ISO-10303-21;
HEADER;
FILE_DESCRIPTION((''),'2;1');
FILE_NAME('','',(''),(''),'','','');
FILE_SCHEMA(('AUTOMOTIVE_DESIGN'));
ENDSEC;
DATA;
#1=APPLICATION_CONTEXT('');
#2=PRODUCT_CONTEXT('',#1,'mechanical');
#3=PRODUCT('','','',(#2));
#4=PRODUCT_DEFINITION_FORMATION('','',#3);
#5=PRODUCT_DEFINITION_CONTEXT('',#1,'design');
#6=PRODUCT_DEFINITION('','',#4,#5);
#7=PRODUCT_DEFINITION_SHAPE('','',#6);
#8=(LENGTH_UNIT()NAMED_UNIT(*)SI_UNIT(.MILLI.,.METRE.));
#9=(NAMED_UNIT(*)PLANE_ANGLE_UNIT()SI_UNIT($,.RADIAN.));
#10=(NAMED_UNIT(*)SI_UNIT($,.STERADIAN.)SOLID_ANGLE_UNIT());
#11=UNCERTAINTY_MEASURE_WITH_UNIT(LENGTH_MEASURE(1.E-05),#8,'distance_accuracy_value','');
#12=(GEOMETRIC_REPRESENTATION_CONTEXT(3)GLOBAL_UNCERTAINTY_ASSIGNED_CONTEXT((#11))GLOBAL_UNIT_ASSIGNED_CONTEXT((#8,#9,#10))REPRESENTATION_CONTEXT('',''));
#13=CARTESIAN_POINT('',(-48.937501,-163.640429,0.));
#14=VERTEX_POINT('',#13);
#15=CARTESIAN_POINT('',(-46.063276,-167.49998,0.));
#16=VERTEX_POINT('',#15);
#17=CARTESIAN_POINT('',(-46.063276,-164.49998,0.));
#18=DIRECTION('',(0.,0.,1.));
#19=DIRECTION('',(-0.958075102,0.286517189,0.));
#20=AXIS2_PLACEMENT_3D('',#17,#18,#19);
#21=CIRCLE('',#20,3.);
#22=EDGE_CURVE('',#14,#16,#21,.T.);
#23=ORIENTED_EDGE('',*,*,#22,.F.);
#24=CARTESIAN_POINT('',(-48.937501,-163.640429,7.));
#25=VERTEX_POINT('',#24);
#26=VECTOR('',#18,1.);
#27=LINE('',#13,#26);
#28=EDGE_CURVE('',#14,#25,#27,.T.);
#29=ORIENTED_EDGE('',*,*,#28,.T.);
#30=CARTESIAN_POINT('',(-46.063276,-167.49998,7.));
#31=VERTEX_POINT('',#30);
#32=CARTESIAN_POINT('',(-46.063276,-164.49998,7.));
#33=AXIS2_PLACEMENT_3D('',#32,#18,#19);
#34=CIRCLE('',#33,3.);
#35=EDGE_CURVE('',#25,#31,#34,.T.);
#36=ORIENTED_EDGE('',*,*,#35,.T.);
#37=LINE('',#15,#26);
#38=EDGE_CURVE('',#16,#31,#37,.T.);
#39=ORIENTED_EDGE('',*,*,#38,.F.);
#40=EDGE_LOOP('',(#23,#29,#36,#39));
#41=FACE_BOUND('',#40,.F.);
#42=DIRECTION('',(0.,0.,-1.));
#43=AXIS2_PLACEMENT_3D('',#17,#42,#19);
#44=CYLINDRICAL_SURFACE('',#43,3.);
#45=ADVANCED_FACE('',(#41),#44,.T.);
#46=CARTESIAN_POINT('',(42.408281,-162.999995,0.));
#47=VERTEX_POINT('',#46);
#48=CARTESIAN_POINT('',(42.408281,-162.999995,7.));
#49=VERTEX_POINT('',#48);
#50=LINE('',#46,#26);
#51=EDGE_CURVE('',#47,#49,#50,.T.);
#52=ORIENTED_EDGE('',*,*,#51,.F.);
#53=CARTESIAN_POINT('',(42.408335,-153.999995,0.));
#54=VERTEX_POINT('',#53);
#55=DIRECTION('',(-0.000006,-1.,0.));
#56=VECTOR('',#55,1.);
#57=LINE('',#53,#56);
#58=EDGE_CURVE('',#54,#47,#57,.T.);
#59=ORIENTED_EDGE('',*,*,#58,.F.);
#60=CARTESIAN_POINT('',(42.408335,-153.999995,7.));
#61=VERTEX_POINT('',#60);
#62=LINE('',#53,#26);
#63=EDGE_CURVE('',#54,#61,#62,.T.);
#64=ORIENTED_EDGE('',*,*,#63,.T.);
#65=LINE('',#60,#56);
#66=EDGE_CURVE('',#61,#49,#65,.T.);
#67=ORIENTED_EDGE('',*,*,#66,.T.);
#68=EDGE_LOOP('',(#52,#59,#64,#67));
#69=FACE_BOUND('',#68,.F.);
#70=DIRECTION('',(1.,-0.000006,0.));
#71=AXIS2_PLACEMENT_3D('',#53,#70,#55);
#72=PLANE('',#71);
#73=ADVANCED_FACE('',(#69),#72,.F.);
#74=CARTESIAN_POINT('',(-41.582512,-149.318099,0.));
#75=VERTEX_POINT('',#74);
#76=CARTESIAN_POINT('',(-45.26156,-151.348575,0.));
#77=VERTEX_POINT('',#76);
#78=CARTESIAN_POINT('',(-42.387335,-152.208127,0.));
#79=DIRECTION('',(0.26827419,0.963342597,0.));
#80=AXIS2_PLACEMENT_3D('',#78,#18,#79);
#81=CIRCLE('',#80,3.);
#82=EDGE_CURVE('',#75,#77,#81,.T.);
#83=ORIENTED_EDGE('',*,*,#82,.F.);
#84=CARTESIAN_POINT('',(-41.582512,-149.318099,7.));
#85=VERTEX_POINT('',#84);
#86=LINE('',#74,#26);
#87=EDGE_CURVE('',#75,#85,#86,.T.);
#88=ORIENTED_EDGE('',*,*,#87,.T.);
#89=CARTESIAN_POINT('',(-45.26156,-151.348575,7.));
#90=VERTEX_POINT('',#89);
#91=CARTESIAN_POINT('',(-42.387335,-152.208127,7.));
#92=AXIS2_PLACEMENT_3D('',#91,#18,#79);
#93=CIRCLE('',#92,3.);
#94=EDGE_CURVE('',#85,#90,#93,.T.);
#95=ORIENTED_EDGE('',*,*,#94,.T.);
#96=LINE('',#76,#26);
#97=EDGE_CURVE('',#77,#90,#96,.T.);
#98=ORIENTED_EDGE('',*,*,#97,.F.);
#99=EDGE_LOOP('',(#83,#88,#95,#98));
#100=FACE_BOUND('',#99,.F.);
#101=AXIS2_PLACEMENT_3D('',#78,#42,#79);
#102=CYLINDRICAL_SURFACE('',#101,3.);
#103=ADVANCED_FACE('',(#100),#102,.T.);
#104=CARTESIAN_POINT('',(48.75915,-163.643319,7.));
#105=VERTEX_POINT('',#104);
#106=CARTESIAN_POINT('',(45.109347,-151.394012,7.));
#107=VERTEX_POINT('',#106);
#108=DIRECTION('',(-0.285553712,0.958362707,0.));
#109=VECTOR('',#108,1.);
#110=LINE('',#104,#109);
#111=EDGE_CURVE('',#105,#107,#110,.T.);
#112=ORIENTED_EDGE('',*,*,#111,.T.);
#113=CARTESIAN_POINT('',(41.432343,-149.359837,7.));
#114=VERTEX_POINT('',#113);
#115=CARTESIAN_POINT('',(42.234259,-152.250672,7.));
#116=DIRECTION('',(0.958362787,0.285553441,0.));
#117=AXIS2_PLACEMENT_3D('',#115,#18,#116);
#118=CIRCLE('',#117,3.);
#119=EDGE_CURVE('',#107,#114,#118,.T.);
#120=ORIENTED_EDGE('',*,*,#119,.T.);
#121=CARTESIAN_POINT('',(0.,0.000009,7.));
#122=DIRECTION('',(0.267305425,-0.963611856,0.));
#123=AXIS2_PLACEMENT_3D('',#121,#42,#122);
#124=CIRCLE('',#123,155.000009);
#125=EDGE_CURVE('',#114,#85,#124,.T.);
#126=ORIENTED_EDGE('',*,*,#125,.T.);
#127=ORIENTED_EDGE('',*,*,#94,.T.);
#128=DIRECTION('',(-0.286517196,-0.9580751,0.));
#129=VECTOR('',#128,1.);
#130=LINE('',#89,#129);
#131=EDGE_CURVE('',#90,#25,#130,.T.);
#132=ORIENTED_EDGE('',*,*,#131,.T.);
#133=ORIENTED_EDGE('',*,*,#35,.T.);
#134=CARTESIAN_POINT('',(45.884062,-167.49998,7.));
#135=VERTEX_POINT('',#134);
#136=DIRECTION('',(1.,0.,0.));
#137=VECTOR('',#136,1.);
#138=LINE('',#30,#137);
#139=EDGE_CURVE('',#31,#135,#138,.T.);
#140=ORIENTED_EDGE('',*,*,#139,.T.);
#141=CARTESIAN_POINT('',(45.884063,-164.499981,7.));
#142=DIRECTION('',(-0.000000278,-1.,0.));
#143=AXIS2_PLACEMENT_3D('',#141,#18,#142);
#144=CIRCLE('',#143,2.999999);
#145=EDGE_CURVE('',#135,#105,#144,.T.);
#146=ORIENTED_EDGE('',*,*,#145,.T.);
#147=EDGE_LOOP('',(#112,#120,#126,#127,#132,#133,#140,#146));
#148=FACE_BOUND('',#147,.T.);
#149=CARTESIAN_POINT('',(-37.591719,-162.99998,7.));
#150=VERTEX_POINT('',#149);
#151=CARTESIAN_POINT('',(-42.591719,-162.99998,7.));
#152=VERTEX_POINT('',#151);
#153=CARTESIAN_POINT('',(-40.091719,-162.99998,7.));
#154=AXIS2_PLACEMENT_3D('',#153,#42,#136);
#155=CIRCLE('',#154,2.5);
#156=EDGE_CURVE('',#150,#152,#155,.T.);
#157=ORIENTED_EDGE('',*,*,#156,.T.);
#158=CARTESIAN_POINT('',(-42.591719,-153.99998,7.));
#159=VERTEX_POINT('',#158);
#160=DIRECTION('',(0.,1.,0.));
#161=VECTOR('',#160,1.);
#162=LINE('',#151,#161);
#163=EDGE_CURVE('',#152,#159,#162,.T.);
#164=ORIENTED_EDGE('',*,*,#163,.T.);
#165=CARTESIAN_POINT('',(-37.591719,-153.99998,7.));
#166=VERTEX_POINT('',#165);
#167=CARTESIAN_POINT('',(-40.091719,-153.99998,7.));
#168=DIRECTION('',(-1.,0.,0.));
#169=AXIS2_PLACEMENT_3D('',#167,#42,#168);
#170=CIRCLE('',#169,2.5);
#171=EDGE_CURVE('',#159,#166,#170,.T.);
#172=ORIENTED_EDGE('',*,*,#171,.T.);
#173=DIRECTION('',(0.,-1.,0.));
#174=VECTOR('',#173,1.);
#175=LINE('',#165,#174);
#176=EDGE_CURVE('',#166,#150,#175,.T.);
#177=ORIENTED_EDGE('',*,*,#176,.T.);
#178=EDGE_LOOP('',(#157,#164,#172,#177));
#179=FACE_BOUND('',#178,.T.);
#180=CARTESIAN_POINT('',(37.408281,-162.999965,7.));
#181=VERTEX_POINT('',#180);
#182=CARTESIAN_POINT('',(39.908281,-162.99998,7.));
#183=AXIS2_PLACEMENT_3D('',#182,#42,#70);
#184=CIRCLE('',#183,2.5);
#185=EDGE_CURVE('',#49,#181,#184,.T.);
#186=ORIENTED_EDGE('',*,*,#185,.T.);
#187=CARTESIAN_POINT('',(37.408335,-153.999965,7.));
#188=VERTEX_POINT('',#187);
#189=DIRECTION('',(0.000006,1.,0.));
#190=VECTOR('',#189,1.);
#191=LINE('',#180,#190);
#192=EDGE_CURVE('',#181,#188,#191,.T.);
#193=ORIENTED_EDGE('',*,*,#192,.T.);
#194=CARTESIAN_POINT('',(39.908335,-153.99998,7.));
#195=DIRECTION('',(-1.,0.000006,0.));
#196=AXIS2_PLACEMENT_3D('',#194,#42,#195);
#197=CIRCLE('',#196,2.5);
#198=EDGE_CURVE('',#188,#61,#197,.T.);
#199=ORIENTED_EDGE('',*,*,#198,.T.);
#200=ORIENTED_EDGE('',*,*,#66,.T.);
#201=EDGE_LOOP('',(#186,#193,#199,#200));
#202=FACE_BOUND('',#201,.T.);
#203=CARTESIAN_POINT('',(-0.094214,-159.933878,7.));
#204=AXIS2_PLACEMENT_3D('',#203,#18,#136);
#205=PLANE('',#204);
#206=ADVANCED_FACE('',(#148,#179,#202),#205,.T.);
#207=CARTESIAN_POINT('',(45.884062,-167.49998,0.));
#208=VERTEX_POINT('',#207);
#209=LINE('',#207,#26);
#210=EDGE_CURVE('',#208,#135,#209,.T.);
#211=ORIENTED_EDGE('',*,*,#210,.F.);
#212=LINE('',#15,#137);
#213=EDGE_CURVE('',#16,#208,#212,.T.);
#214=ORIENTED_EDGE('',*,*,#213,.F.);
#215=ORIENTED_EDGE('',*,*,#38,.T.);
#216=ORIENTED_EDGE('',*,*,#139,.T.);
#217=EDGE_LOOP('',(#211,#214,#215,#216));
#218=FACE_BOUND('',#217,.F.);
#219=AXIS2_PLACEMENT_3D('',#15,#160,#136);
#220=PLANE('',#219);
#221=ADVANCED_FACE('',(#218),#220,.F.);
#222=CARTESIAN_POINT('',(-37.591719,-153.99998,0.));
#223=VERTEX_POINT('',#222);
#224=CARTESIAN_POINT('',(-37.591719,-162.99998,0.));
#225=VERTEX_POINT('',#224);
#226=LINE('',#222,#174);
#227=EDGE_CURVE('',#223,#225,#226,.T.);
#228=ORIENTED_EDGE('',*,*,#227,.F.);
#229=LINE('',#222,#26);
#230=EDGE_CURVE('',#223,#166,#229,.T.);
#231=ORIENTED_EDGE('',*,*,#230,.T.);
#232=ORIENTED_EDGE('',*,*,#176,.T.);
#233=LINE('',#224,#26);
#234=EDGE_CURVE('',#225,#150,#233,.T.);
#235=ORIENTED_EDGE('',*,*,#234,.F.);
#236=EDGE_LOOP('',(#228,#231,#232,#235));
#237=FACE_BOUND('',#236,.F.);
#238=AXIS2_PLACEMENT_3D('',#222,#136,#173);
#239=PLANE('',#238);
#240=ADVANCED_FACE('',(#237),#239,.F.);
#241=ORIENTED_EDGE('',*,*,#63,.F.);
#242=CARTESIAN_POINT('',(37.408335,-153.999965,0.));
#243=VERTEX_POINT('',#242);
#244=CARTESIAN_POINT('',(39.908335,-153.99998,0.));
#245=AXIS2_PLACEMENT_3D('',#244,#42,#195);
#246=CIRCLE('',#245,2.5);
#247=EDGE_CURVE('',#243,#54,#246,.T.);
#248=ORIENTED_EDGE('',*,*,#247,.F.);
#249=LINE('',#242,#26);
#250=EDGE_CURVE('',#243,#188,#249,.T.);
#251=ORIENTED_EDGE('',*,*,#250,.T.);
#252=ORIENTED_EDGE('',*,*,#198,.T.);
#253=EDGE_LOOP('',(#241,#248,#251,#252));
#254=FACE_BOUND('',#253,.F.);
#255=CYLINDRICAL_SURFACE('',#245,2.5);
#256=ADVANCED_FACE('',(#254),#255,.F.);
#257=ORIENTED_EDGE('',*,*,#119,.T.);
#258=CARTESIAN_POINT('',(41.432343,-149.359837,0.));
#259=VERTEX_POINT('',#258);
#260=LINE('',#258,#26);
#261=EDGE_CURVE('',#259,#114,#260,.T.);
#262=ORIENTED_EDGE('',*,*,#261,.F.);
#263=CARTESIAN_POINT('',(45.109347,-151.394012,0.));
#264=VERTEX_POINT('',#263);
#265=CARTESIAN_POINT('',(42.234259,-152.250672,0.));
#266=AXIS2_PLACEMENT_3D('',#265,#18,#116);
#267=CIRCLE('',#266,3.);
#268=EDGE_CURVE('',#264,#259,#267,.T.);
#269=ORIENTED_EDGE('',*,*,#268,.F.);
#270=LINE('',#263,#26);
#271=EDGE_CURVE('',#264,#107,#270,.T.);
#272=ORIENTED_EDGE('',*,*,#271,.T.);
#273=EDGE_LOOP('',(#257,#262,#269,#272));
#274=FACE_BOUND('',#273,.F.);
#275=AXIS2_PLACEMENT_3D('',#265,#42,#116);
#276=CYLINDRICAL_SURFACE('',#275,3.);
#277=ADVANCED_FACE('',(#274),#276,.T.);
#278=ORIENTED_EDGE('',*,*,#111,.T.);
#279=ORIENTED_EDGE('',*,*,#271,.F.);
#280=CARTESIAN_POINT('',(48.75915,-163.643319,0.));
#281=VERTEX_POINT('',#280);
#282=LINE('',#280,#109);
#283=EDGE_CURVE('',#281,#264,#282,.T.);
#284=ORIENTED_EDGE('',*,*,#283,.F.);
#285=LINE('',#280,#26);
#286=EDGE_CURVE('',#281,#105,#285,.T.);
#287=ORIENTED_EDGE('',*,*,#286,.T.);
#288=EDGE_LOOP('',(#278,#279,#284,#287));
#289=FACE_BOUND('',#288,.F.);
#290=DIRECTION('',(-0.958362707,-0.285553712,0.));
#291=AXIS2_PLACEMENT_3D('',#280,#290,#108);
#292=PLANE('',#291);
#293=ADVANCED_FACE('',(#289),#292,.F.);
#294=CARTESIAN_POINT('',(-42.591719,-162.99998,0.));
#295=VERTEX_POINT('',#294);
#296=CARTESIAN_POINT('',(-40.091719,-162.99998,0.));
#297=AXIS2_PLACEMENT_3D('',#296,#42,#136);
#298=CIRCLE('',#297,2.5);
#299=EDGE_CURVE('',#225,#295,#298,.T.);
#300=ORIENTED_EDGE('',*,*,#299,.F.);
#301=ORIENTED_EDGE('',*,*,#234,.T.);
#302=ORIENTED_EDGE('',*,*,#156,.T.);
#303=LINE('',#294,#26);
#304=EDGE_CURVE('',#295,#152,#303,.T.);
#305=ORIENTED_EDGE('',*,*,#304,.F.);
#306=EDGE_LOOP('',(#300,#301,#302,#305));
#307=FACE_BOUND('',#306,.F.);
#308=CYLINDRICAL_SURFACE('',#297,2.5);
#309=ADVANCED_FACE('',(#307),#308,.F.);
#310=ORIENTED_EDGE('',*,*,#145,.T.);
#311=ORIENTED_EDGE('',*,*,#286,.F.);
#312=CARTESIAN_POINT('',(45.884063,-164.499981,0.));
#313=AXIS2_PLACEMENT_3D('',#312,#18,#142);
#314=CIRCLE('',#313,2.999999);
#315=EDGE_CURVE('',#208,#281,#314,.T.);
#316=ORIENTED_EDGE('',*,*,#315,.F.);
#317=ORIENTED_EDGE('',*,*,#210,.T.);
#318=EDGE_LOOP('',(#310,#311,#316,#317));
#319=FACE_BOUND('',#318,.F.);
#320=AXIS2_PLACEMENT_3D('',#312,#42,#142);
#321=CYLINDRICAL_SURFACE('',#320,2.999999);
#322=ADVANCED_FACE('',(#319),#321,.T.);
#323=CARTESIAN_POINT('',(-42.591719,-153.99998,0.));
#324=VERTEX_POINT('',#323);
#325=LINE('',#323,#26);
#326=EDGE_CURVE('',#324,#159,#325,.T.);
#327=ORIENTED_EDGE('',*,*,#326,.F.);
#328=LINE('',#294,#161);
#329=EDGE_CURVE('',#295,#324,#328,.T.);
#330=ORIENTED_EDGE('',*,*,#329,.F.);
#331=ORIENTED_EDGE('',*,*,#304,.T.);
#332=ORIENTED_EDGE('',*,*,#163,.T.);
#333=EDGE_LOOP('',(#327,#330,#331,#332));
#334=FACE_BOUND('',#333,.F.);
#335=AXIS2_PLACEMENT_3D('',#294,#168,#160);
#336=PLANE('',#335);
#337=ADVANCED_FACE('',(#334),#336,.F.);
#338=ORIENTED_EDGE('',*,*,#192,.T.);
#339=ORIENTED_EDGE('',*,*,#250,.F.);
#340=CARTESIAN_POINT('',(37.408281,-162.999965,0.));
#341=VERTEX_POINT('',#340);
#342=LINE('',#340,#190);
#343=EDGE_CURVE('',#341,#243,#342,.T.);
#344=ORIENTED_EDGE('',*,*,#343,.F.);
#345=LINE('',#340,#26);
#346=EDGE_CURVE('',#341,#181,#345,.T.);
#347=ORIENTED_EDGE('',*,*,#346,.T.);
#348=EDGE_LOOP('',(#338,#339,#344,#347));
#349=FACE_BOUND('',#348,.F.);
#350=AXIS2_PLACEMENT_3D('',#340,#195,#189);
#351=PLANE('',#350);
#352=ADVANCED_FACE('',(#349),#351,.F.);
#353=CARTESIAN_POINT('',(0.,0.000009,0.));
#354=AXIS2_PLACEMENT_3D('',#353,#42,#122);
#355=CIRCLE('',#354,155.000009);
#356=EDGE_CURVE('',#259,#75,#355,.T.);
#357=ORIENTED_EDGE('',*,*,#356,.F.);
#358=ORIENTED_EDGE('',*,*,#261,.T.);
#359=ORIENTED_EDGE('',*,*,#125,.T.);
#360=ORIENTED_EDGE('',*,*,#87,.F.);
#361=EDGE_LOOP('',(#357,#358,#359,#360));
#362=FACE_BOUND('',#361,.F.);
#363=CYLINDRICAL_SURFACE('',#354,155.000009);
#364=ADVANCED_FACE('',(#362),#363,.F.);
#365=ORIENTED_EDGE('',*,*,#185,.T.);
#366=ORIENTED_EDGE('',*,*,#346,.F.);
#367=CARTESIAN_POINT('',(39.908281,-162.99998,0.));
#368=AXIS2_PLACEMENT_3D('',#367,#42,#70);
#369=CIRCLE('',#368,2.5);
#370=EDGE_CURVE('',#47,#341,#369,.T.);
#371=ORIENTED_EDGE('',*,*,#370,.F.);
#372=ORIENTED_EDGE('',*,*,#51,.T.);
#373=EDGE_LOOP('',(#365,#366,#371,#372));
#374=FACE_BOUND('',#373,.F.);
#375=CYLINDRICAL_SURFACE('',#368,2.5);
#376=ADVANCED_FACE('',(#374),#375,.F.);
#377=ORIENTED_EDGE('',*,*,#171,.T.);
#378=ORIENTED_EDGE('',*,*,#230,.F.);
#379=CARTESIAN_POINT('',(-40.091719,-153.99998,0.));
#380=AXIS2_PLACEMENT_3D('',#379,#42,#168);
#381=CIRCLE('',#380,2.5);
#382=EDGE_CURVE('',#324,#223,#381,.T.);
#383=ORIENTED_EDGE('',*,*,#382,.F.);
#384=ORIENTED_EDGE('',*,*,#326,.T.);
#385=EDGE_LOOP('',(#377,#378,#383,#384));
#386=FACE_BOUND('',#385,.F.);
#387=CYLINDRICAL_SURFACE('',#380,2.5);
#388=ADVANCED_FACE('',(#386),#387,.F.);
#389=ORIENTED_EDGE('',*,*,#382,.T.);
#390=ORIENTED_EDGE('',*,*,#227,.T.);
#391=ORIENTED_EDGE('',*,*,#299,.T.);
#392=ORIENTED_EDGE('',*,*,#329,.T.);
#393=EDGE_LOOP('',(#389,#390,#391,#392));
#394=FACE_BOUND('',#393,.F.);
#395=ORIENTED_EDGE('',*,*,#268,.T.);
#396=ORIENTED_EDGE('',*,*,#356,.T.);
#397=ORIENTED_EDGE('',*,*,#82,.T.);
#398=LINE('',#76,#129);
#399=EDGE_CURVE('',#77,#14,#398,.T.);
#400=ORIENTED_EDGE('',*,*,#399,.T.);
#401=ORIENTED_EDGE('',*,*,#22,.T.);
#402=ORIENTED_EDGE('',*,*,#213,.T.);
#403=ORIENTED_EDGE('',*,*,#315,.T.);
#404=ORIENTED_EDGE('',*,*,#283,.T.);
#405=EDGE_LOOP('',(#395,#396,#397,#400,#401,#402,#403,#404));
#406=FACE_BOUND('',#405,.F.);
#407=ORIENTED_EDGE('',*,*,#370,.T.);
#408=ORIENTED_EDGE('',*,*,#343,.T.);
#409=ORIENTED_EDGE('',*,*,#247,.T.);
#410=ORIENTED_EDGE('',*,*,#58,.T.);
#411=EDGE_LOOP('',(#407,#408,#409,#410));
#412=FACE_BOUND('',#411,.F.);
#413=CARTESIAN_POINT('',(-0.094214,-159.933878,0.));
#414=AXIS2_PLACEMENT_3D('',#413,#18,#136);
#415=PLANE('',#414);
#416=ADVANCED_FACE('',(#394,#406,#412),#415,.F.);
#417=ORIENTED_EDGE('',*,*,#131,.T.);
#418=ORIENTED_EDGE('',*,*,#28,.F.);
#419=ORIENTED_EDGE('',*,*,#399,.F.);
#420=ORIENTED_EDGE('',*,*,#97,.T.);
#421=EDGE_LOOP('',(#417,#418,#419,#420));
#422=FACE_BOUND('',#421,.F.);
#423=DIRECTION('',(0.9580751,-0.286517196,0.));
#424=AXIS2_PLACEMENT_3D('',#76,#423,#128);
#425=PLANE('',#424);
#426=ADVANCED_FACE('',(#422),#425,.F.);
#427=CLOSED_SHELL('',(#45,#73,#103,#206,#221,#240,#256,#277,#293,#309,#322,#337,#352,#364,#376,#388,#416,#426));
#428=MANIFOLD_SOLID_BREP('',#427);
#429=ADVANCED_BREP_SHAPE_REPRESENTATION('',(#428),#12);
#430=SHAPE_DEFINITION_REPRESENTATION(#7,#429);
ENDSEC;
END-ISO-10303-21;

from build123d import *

# Parameters (mm, degrees)
F1_DEPTH = 7


with BuildPart() as f1:
    # F0 (on Top) → F1 (new body)
    with BuildSketch(Plane.XY):
        with BuildLine():
            ThreePointArc((41.432343, -149.359837), (-0.077931, -154.99998), (-41.582512, -149.318099))
            ThreePointArc((-41.582512, -149.318099), (-43.836926, -149.581592), (-45.26156, -151.348575))
            Line((-45.26156, -151.348575), (-48.937501, -163.640429))
            ThreePointArc((-48.937501, -163.640429), (-48.469378, -166.291815), (-46.063276, -167.49998))
            Line((-46.063276, -167.49998), (45.884062, -167.49998))
            ThreePointArc((45.884062, -167.49998), (48.289263, -166.293025), (48.75915, -163.643319))
            Line((48.75915, -163.643319), (45.109347, -151.394012))
            ThreePointArc((45.109347, -151.394012), (43.686491, -149.625597), (41.432343, -149.359837))
        make_face()
        with BuildLine():
            ThreePointArc((-37.591719, -162.99998), (-40.091719, -165.49998), (-42.591719, -162.99998))
            Line((-42.591719, -162.99998), (-42.591719, -153.99998))
            ThreePointArc((-42.591719, -153.99998), (-40.091719, -151.49998), (-37.591719, -153.99998))
            Line((-37.591719, -153.99998), (-37.591719, -162.99998))
        make_face(mode=Mode.SUBTRACT)
        with BuildLine():
            ThreePointArc((42.408281, -162.999995), (39.908266, -165.49998), (37.408281, -162.999965))
            Line((37.408281, -162.999965), (37.408335, -153.999965))
            ThreePointArc((37.408335, -153.999965), (39.90835, -151.49998), (42.408335, -153.999995))
            Line((42.408335, -153.999995), (42.408281, -162.999995))
        make_face(mode=Mode.SUBTRACT)
    extrude(amount=F1_DEPTH)


solid = f1.part
